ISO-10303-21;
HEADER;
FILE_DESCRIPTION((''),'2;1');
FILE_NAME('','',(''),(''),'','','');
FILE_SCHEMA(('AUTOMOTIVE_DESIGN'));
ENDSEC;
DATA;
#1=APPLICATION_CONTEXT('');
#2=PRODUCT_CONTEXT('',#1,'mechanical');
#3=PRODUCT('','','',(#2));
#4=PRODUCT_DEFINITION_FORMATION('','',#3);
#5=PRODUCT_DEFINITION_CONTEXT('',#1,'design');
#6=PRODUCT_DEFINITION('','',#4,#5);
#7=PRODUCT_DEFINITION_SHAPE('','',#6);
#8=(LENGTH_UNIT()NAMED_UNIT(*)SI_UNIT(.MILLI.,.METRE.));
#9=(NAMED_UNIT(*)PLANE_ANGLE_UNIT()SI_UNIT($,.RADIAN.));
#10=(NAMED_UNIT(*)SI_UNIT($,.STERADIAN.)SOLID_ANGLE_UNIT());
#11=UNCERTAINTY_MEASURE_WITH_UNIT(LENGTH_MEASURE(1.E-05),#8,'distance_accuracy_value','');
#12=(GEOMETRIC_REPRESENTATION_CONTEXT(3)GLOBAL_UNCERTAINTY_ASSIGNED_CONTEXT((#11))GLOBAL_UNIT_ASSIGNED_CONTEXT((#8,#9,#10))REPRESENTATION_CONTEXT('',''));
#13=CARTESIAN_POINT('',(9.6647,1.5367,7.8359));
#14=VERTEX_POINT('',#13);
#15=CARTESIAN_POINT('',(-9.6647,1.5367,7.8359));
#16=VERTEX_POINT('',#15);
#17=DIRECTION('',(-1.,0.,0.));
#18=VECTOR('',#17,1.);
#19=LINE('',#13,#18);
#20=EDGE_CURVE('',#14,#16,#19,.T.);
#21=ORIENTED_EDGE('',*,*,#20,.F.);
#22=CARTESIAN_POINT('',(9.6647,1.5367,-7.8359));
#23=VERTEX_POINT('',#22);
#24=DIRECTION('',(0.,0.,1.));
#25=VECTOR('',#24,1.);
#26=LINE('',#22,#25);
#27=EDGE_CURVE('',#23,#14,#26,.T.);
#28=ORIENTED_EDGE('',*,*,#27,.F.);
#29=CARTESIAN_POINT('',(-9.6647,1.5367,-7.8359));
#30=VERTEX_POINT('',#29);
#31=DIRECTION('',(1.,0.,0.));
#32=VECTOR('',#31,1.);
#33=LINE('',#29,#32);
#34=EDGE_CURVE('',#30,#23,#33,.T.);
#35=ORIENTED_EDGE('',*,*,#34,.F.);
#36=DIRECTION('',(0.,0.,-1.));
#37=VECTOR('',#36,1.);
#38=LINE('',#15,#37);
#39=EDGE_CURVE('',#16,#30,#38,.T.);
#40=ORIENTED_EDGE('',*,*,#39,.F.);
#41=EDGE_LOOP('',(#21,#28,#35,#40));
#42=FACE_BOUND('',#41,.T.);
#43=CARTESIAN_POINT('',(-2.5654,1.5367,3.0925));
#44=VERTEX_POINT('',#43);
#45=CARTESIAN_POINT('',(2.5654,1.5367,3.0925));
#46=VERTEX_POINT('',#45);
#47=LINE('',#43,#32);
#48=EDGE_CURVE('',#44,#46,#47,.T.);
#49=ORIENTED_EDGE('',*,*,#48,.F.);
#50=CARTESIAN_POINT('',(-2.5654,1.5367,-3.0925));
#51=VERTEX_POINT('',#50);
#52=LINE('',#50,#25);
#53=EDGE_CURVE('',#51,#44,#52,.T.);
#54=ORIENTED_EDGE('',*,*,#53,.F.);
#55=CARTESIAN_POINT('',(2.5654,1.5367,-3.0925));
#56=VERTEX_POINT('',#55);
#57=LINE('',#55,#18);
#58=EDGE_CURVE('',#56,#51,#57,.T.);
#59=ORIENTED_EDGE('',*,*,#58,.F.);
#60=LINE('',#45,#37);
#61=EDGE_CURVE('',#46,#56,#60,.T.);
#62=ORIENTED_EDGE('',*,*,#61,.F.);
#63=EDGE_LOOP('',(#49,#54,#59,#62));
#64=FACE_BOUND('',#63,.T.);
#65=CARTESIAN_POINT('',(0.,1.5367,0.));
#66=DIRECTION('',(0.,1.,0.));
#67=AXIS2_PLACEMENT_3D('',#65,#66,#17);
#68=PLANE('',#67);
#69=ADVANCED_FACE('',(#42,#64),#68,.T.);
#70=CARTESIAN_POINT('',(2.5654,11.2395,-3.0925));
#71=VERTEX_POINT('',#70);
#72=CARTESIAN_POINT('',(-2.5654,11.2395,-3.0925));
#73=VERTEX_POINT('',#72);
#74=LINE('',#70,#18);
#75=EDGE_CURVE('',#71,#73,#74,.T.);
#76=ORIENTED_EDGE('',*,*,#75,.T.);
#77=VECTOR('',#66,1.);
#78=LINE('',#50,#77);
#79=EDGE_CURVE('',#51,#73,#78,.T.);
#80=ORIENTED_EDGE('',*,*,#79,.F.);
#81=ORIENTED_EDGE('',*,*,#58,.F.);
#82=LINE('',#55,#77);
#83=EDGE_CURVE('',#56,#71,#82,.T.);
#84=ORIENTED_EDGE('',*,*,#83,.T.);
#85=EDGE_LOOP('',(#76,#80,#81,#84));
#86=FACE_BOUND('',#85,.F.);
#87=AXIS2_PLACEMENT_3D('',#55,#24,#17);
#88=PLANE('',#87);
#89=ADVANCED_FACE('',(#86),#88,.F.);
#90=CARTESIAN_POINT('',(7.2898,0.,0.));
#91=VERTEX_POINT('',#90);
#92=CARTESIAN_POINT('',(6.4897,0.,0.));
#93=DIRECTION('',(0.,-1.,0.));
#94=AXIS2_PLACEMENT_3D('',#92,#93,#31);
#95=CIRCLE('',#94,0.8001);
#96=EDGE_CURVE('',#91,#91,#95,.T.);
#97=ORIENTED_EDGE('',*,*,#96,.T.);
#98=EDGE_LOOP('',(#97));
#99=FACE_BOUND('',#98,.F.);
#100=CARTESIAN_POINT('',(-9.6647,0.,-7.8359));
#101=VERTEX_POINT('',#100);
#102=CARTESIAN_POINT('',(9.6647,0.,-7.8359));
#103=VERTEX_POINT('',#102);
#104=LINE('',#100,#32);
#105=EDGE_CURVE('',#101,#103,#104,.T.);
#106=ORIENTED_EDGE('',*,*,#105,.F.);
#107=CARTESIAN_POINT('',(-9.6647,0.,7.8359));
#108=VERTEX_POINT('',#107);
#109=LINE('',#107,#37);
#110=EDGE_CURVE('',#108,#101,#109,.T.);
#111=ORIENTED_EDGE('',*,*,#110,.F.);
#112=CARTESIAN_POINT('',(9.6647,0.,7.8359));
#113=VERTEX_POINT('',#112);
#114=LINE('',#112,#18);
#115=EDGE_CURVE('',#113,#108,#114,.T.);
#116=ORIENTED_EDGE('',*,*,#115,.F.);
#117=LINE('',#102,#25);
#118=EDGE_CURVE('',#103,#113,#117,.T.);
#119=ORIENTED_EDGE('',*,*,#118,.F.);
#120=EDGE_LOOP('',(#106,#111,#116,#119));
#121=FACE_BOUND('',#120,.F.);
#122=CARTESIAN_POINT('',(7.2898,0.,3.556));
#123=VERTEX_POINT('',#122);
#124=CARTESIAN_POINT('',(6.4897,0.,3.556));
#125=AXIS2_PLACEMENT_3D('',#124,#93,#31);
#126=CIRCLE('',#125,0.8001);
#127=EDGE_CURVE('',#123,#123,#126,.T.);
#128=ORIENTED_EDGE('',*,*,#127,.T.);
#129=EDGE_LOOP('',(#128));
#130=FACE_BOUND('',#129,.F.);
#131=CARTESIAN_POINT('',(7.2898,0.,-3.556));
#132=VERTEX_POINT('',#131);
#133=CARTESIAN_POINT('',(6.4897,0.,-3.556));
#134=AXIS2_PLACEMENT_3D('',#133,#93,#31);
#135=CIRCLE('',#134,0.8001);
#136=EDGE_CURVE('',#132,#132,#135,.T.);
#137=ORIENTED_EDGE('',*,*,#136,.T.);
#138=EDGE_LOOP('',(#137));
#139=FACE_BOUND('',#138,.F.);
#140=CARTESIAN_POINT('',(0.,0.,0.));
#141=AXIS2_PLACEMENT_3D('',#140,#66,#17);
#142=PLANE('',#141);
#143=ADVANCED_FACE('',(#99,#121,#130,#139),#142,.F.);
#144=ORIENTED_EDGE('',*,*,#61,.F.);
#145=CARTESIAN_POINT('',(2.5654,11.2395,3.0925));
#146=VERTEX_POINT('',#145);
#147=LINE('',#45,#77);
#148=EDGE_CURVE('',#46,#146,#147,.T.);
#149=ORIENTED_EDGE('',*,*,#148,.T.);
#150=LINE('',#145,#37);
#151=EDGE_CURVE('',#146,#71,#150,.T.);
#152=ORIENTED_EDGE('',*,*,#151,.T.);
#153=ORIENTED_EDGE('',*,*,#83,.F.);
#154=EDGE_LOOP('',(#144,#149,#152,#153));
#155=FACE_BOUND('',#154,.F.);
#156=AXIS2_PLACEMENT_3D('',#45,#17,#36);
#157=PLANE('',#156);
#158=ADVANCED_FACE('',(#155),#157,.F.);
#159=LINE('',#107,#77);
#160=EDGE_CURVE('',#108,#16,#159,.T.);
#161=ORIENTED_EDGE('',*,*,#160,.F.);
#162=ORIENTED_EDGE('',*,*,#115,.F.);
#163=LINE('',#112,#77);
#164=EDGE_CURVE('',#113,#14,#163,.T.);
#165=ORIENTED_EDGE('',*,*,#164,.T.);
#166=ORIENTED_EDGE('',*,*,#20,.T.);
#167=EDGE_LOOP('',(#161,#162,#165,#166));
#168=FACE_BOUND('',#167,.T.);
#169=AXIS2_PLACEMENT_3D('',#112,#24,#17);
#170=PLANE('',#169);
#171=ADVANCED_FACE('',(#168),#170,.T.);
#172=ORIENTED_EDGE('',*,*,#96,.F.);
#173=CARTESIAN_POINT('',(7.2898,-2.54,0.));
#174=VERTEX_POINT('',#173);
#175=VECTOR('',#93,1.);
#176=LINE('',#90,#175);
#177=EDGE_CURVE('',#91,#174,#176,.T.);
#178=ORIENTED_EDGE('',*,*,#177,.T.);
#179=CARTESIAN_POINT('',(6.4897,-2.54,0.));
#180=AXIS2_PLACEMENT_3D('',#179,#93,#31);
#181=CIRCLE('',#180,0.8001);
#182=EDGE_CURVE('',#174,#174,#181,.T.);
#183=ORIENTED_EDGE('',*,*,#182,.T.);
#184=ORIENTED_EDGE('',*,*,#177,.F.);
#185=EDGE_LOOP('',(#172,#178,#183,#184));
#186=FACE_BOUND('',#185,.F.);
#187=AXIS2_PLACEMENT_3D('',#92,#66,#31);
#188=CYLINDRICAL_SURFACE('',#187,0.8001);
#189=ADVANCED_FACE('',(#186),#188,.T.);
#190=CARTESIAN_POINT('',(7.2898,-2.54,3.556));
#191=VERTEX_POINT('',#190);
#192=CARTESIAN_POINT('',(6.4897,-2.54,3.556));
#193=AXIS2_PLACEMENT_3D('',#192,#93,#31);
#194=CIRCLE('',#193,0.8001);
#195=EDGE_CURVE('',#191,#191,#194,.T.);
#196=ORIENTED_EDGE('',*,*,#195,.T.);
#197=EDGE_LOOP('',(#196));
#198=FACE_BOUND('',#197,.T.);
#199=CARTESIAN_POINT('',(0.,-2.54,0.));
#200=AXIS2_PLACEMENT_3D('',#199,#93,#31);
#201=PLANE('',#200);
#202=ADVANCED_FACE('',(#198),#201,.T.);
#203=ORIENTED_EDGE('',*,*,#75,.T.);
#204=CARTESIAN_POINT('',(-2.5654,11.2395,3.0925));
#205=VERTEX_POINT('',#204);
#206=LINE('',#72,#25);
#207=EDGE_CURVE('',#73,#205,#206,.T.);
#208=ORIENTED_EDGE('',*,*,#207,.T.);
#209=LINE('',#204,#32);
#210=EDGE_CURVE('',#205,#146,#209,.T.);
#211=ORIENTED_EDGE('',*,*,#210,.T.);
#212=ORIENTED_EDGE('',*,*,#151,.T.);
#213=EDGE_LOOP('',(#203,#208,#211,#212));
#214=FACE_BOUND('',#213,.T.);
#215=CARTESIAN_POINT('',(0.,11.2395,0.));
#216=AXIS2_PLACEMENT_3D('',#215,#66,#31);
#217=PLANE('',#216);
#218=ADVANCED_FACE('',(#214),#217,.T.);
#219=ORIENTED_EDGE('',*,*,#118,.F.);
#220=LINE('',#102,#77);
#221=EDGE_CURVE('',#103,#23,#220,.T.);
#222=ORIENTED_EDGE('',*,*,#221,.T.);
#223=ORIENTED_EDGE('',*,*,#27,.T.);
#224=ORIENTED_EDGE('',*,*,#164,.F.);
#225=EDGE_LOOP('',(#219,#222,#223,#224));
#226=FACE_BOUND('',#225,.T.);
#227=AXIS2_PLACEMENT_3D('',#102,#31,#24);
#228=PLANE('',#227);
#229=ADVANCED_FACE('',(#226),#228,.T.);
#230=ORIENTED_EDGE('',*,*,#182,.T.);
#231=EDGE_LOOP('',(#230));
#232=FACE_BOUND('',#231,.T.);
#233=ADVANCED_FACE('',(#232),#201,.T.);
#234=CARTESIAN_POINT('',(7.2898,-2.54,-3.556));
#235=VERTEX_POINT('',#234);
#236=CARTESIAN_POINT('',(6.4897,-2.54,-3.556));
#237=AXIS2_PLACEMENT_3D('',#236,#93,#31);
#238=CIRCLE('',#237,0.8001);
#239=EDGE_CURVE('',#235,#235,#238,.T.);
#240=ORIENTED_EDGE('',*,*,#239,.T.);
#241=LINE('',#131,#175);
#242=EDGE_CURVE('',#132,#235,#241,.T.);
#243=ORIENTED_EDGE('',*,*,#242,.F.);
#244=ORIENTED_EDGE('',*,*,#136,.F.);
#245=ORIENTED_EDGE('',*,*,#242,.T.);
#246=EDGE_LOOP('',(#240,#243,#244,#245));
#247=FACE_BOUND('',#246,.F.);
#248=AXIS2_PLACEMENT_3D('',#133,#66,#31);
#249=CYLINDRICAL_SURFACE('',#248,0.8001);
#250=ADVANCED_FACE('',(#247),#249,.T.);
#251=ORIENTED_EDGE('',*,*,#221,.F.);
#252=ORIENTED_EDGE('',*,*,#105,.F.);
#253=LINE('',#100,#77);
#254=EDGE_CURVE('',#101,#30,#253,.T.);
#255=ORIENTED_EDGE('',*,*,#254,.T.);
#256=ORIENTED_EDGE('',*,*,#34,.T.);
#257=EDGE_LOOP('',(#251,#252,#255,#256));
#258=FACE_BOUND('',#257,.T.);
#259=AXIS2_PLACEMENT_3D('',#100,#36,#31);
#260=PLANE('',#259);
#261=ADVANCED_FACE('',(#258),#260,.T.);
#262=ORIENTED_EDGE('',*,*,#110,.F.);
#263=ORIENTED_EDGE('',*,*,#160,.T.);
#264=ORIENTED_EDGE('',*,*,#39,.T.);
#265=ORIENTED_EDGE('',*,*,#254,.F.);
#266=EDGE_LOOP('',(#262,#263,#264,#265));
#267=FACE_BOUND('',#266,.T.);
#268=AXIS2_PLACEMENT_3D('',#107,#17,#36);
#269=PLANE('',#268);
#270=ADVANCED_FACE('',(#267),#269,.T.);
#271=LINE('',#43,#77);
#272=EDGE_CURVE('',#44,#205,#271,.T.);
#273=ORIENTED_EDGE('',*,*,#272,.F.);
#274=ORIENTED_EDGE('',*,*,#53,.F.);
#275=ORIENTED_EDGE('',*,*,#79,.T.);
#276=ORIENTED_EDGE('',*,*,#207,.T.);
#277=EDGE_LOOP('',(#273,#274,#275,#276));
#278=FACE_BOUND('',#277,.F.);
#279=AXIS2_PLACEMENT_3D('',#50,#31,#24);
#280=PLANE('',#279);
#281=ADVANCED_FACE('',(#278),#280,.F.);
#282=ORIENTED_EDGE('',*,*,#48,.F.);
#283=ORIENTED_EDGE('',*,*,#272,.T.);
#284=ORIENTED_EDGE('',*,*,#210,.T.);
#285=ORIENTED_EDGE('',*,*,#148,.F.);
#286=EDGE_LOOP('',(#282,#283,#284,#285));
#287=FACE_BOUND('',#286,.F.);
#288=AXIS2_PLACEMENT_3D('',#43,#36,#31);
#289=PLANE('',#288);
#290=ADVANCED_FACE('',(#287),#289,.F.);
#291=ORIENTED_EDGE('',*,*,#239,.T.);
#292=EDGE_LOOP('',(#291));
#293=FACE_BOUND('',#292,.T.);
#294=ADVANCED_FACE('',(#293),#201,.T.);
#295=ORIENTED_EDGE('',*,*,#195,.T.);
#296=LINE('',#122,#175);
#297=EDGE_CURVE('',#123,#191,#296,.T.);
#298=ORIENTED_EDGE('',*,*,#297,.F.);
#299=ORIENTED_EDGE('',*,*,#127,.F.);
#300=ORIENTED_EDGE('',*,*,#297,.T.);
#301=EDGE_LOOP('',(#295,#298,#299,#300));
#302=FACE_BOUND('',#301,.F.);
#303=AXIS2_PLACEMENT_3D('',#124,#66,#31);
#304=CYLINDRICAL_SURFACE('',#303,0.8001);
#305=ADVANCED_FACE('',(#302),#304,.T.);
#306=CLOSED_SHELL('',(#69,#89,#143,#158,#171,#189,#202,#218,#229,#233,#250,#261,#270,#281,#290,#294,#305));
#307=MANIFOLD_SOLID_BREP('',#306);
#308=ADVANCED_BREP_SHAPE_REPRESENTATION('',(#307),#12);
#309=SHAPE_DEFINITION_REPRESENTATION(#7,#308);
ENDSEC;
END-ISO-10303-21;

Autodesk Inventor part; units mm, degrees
ref_plane "YZ Plane" through (0, 0, 0) normal (1, 0, 0) x (0, 1, 0)
ref_plane "XZ Plane" through (0, 0, 0) normal (0, 1, 0) x (-1, 0, 0)
ref_plane "XY Plane" through (0, 0, 0) normal (0, 0, 1) x (1, 0, 0)
sketch "Sketch1" plane through (0, 0, 0) normal (0, 1, 0) x (-1, 0, 0)
  line L0 (9.6647, -7.8359) -> (-9.6647, -7.8359)
  line L1 (-9.6647, -7.8359) -> (-9.6647, 7.8359)
  line L2 (-9.6647, 7.8359) -> (9.6647, 7.8359)
  line L3 (9.6647, 7.8359) -> (9.6647, -7.8359)
  point P0 (0, 0)
  point P1 (-9.6647, 0)
  point P2 (0, -7.8359)
  dimension "d0" = 19.3294
  dimension "d1" = 15.6718
extrude "Extrusion1" add sketch "Sketch1" along normal blind 1.5367
sketch "Sketch2" plane through (0, 1.5367, 0) normal (0, 1, 0) x (1, 0, 0)
  line L0 (-2.5654, -3.0925) -> (2.5654, -3.0925)
  line L1 (2.5654, -3.0925) -> (2.5654, 3.0925)
  line L2 (2.5654, 3.0925) -> (-2.5654, 3.0925)
  line L3 (-2.5654, 3.0925) -> (-2.5654, -3.0925)
  point P0 (0, 0)
  point P1 (-2.5654, 0)
  point P2 (0, 3.0925)
  dimension "d4" = 5.1308
  dimension "d5" = 6.1849
extrude "Extrusion2" add sketch "Sketch2" along normal blind 9.7028
sketch "Sketch3" plane through (0, 0, 0) normal (0, -1, 0) x (1, 0, 0)
  circle A0 centre (51.2064, 25.6032) radius 0.8001
  circle A1 centre (6.4897, 3.556) radius 0.8001
  circle A2 centre (6.4897, 0) radius 0.8001
  circle A3 centre (6.4897, -3.556) radius 0.8001
  line L0 (9.6647, 7.8359) -> (9.6647, -7.8359) projected
  point P0 (0, 0)
  dimension "d8" = 1.6002
  dimension "d9" = 1.6002
  dimension "d10" = 1.6002
  dimension "d11" = 7.112
  dimension "d12" = 3.556
  dimension "d13" = 3.175
  dimension "d14" = 3.175
extrude "Extrusion3" add sketch "Sketch3" along normal blind 2.54 contours A1 | A2 | A3
properties part number "IF Remote reader"
